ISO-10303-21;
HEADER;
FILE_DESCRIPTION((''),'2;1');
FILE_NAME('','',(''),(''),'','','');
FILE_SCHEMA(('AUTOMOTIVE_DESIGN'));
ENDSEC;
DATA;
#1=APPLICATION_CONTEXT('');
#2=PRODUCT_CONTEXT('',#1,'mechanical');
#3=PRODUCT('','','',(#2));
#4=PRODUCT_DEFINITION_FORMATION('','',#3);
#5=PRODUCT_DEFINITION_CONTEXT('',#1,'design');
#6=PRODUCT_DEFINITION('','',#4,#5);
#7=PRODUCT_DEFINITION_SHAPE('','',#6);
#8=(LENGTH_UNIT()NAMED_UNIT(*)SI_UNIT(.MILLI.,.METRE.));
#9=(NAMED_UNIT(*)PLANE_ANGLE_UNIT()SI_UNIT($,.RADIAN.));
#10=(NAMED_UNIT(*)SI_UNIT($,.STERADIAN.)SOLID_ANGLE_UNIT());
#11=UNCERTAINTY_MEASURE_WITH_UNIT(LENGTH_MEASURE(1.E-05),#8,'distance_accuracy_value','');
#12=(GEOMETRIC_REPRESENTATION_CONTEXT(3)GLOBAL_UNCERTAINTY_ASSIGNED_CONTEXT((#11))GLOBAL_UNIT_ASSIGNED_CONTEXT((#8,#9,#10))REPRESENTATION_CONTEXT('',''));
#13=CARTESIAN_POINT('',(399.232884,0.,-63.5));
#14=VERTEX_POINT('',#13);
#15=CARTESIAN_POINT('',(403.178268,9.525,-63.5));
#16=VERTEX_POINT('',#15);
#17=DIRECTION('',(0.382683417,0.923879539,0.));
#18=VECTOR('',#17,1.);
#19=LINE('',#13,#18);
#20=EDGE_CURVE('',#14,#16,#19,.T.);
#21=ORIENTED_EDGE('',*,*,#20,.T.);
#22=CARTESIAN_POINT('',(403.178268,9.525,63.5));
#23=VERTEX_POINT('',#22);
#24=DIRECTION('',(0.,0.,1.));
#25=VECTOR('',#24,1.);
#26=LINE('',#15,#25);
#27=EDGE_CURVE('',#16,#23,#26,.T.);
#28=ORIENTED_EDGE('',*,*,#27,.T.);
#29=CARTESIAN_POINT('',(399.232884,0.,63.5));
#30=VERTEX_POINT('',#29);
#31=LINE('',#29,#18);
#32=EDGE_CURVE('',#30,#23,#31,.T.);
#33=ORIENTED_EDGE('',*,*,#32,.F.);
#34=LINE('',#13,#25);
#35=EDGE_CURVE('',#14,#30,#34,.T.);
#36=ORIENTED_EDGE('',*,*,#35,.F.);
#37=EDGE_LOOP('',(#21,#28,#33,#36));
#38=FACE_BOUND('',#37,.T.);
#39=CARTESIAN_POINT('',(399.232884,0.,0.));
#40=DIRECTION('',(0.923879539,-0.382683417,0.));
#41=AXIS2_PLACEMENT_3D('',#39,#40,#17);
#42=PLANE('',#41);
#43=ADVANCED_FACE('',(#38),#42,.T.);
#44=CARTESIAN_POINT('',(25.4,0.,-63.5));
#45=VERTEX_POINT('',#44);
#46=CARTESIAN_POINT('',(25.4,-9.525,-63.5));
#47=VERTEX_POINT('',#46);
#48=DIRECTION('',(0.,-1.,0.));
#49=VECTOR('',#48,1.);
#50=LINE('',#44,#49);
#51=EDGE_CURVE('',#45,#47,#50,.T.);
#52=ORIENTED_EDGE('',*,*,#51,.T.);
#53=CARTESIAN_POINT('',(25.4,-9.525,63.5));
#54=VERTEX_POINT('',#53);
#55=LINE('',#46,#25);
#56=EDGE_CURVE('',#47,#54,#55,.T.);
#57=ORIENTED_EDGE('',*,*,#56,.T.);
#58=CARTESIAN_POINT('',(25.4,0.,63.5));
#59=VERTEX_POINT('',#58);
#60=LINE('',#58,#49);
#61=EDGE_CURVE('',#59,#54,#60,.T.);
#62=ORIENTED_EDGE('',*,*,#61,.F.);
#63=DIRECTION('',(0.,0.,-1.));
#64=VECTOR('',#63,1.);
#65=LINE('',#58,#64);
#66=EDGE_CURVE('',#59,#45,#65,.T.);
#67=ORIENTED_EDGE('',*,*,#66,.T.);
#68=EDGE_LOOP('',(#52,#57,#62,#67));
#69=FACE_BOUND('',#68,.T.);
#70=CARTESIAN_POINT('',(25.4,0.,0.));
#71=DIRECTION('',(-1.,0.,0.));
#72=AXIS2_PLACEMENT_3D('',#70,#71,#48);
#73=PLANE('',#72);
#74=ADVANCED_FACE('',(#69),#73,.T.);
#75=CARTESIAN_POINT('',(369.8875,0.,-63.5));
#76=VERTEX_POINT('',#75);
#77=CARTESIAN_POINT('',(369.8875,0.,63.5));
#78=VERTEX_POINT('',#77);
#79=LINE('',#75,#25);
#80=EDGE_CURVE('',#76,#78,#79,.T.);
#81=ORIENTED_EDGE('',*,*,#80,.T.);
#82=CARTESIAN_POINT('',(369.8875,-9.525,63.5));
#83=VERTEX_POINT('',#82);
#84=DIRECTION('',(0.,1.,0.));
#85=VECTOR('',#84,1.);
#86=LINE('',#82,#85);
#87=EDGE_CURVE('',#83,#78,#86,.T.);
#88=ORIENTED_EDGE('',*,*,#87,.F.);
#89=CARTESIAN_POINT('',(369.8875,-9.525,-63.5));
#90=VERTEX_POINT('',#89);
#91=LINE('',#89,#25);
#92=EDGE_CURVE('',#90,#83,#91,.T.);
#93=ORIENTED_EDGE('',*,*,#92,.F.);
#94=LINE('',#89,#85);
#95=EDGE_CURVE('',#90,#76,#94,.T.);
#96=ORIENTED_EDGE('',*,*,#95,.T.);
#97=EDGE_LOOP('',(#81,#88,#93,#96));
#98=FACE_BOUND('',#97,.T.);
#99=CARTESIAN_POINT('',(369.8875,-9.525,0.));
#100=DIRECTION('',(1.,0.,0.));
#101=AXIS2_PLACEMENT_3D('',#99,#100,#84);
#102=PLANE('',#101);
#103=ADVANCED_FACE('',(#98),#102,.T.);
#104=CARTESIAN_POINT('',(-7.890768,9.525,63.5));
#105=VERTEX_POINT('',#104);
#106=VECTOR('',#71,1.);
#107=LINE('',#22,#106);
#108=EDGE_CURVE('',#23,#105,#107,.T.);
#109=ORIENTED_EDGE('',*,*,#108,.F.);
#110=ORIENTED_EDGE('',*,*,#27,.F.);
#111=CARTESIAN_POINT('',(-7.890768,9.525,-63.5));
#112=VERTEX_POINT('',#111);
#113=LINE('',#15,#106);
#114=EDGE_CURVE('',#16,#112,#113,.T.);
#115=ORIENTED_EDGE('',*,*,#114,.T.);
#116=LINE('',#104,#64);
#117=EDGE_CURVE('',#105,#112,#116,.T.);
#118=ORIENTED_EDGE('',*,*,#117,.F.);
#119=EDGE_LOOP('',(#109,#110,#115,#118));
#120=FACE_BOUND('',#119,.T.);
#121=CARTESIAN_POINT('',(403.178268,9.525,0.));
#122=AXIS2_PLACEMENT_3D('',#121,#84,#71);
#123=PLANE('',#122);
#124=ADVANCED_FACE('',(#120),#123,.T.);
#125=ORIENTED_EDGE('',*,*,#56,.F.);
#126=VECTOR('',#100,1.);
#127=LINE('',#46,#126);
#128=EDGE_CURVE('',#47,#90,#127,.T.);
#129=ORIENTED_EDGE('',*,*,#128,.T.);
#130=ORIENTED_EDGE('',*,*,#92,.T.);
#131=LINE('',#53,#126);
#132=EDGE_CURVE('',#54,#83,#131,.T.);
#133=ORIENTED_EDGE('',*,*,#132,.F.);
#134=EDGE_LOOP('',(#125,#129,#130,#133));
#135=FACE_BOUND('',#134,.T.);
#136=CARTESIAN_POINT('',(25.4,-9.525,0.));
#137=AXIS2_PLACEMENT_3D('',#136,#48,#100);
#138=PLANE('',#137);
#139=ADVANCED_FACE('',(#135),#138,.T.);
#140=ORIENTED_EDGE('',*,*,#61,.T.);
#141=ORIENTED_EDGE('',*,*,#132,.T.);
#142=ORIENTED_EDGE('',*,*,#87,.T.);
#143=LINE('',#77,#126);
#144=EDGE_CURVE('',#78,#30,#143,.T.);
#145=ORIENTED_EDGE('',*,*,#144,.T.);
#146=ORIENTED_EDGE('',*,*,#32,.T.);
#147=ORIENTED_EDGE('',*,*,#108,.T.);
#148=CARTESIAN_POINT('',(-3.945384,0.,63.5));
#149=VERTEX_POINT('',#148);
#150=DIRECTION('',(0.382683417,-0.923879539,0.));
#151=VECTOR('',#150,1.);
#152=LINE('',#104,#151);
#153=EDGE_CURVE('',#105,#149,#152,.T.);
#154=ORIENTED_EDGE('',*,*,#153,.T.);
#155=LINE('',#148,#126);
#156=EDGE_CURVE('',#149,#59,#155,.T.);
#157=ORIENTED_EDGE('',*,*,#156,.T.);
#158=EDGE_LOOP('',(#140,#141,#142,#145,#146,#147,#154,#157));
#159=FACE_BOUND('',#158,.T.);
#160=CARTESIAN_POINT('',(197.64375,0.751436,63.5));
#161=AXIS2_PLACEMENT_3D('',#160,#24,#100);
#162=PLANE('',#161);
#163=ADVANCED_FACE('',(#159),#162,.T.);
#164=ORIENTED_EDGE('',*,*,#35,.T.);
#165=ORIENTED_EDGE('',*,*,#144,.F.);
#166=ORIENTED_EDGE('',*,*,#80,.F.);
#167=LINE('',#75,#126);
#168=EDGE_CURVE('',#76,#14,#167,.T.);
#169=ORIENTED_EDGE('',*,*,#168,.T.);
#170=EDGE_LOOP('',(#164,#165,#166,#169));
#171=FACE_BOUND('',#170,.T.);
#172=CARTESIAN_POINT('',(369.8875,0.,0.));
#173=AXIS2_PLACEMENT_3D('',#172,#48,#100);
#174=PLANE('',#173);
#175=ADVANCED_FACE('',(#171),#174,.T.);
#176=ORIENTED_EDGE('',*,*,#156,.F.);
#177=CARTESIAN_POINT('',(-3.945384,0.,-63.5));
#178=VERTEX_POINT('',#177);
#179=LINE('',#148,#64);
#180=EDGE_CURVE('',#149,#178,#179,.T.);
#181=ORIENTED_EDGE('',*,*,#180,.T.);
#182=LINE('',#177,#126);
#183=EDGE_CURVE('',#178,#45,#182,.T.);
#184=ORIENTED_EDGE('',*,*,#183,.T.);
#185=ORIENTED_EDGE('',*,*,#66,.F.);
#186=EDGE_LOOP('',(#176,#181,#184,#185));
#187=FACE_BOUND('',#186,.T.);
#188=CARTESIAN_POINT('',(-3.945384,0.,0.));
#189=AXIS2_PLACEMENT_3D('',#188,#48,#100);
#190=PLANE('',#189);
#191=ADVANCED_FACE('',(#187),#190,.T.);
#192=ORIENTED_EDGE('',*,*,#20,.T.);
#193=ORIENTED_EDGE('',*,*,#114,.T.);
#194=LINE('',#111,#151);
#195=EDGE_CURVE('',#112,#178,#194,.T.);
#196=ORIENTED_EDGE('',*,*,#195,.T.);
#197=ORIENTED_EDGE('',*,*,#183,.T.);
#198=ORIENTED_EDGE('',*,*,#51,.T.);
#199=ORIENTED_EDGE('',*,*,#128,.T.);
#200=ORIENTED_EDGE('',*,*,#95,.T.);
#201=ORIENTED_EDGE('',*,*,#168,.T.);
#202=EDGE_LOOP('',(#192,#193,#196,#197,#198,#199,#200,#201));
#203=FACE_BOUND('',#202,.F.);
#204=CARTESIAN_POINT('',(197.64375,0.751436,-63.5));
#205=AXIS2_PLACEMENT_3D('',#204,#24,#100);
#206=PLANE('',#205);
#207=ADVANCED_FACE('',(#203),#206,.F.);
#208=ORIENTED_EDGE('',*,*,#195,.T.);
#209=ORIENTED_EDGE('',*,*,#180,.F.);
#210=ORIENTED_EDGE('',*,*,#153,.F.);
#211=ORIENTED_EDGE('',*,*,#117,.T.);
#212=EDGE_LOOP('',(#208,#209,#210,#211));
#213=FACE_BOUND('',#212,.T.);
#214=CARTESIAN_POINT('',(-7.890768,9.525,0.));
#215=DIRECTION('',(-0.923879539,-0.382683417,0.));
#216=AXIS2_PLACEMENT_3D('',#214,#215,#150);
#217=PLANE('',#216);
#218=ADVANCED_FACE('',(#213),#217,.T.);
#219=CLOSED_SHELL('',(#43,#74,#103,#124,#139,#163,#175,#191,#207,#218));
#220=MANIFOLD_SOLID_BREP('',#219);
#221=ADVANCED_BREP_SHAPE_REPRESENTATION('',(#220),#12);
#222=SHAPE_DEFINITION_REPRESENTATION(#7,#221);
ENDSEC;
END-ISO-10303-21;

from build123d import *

# Parameters (mm, degrees)
F1_DEPTH = 63.5


with BuildPart() as f1:
    # F0 (on Top) → F1 (new body, symmetric)
    with BuildSketch(Plane.XY):
        Polygon((25.4, 0), (25.4, -9.525), (369.8875, -9.525), (369.8875, 0), (399.232884, 0), (403.178268, 9.525), (-7.890768, 9.525), (-3.945384, 0), align=None)
    extrude(amount=F1_DEPTH, both=True)


solid = f1.part
